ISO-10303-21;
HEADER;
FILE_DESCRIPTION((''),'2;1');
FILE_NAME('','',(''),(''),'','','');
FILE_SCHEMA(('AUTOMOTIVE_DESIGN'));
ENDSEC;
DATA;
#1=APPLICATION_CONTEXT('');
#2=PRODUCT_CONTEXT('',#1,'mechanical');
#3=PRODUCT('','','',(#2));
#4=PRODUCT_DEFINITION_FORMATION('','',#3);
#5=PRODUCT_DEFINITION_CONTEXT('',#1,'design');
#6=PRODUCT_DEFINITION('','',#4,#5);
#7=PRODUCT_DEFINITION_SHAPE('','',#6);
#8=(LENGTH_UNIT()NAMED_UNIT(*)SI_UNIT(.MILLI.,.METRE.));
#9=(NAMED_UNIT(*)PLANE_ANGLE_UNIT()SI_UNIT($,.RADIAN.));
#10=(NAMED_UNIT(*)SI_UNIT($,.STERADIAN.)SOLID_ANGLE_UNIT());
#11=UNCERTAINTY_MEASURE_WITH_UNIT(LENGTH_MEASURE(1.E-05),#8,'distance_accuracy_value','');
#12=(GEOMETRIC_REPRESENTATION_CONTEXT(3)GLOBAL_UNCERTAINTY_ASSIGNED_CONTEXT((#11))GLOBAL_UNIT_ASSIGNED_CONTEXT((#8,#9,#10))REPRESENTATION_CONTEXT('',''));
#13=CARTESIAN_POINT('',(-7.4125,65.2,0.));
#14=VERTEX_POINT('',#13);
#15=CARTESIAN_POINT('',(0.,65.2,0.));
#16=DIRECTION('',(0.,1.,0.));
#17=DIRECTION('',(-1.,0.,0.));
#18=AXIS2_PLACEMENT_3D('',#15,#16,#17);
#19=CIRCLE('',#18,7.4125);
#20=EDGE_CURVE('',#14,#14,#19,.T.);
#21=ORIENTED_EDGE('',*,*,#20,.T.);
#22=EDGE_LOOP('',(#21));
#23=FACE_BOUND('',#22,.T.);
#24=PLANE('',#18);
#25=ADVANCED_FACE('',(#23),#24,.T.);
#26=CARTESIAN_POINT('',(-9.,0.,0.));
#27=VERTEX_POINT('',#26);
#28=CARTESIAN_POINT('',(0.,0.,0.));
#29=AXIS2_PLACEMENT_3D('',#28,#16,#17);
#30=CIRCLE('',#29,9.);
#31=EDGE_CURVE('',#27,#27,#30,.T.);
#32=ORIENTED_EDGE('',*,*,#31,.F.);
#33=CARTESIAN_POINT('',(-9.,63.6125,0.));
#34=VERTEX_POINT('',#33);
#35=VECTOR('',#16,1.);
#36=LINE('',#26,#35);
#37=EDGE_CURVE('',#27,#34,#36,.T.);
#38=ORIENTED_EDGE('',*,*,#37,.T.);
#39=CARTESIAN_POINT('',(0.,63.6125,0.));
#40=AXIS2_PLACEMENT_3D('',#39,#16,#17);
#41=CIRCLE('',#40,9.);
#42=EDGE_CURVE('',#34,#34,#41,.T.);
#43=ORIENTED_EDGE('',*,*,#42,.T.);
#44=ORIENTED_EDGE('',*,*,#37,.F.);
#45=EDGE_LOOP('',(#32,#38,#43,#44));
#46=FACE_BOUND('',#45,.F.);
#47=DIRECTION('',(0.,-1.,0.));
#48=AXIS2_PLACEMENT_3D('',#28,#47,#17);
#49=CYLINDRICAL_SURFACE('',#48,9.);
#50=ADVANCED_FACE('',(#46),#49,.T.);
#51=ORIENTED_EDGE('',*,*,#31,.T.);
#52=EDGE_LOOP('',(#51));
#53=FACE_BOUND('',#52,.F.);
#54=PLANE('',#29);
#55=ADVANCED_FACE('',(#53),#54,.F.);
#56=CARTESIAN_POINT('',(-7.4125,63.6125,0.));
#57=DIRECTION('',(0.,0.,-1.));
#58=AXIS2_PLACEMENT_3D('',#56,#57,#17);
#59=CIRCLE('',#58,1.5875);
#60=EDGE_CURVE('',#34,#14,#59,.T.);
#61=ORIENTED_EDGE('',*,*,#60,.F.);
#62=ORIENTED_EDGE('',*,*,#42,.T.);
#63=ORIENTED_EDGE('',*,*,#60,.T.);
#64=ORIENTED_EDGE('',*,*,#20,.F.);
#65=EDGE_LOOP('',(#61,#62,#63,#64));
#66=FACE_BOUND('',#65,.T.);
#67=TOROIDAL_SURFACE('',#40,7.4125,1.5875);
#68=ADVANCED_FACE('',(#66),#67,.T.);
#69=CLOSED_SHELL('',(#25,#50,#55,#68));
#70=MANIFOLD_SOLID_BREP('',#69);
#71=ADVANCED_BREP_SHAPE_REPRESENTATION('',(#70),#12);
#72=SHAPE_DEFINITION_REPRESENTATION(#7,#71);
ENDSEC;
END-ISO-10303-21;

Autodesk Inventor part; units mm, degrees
ref_plane "YZ Plane" through (0, 0, 0) normal (1, 0, 0) x (0, 1, 0)
ref_plane "XZ Plane" through (0, 0, 0) normal (0, 1, 0) x (-1, 0, 0)
ref_plane "XY Plane" through (0, 0, 0) normal (0, 0, 1) x (1, 0, 0)
sketch "Sketch1" plane through (0, 0, 0) normal (0, 1, 0) x (-1, 0, 0)
  circle A0 centre (0, 0) radius 9
  dimension "d0" = 18
extrude "Extrusion1" add sketch "Sketch1" along normal blind 65.2
fillet "Fillet1" radius 1.5875 1 edges at (9, 65.2, 0)
properties part number "18650 Battery"
